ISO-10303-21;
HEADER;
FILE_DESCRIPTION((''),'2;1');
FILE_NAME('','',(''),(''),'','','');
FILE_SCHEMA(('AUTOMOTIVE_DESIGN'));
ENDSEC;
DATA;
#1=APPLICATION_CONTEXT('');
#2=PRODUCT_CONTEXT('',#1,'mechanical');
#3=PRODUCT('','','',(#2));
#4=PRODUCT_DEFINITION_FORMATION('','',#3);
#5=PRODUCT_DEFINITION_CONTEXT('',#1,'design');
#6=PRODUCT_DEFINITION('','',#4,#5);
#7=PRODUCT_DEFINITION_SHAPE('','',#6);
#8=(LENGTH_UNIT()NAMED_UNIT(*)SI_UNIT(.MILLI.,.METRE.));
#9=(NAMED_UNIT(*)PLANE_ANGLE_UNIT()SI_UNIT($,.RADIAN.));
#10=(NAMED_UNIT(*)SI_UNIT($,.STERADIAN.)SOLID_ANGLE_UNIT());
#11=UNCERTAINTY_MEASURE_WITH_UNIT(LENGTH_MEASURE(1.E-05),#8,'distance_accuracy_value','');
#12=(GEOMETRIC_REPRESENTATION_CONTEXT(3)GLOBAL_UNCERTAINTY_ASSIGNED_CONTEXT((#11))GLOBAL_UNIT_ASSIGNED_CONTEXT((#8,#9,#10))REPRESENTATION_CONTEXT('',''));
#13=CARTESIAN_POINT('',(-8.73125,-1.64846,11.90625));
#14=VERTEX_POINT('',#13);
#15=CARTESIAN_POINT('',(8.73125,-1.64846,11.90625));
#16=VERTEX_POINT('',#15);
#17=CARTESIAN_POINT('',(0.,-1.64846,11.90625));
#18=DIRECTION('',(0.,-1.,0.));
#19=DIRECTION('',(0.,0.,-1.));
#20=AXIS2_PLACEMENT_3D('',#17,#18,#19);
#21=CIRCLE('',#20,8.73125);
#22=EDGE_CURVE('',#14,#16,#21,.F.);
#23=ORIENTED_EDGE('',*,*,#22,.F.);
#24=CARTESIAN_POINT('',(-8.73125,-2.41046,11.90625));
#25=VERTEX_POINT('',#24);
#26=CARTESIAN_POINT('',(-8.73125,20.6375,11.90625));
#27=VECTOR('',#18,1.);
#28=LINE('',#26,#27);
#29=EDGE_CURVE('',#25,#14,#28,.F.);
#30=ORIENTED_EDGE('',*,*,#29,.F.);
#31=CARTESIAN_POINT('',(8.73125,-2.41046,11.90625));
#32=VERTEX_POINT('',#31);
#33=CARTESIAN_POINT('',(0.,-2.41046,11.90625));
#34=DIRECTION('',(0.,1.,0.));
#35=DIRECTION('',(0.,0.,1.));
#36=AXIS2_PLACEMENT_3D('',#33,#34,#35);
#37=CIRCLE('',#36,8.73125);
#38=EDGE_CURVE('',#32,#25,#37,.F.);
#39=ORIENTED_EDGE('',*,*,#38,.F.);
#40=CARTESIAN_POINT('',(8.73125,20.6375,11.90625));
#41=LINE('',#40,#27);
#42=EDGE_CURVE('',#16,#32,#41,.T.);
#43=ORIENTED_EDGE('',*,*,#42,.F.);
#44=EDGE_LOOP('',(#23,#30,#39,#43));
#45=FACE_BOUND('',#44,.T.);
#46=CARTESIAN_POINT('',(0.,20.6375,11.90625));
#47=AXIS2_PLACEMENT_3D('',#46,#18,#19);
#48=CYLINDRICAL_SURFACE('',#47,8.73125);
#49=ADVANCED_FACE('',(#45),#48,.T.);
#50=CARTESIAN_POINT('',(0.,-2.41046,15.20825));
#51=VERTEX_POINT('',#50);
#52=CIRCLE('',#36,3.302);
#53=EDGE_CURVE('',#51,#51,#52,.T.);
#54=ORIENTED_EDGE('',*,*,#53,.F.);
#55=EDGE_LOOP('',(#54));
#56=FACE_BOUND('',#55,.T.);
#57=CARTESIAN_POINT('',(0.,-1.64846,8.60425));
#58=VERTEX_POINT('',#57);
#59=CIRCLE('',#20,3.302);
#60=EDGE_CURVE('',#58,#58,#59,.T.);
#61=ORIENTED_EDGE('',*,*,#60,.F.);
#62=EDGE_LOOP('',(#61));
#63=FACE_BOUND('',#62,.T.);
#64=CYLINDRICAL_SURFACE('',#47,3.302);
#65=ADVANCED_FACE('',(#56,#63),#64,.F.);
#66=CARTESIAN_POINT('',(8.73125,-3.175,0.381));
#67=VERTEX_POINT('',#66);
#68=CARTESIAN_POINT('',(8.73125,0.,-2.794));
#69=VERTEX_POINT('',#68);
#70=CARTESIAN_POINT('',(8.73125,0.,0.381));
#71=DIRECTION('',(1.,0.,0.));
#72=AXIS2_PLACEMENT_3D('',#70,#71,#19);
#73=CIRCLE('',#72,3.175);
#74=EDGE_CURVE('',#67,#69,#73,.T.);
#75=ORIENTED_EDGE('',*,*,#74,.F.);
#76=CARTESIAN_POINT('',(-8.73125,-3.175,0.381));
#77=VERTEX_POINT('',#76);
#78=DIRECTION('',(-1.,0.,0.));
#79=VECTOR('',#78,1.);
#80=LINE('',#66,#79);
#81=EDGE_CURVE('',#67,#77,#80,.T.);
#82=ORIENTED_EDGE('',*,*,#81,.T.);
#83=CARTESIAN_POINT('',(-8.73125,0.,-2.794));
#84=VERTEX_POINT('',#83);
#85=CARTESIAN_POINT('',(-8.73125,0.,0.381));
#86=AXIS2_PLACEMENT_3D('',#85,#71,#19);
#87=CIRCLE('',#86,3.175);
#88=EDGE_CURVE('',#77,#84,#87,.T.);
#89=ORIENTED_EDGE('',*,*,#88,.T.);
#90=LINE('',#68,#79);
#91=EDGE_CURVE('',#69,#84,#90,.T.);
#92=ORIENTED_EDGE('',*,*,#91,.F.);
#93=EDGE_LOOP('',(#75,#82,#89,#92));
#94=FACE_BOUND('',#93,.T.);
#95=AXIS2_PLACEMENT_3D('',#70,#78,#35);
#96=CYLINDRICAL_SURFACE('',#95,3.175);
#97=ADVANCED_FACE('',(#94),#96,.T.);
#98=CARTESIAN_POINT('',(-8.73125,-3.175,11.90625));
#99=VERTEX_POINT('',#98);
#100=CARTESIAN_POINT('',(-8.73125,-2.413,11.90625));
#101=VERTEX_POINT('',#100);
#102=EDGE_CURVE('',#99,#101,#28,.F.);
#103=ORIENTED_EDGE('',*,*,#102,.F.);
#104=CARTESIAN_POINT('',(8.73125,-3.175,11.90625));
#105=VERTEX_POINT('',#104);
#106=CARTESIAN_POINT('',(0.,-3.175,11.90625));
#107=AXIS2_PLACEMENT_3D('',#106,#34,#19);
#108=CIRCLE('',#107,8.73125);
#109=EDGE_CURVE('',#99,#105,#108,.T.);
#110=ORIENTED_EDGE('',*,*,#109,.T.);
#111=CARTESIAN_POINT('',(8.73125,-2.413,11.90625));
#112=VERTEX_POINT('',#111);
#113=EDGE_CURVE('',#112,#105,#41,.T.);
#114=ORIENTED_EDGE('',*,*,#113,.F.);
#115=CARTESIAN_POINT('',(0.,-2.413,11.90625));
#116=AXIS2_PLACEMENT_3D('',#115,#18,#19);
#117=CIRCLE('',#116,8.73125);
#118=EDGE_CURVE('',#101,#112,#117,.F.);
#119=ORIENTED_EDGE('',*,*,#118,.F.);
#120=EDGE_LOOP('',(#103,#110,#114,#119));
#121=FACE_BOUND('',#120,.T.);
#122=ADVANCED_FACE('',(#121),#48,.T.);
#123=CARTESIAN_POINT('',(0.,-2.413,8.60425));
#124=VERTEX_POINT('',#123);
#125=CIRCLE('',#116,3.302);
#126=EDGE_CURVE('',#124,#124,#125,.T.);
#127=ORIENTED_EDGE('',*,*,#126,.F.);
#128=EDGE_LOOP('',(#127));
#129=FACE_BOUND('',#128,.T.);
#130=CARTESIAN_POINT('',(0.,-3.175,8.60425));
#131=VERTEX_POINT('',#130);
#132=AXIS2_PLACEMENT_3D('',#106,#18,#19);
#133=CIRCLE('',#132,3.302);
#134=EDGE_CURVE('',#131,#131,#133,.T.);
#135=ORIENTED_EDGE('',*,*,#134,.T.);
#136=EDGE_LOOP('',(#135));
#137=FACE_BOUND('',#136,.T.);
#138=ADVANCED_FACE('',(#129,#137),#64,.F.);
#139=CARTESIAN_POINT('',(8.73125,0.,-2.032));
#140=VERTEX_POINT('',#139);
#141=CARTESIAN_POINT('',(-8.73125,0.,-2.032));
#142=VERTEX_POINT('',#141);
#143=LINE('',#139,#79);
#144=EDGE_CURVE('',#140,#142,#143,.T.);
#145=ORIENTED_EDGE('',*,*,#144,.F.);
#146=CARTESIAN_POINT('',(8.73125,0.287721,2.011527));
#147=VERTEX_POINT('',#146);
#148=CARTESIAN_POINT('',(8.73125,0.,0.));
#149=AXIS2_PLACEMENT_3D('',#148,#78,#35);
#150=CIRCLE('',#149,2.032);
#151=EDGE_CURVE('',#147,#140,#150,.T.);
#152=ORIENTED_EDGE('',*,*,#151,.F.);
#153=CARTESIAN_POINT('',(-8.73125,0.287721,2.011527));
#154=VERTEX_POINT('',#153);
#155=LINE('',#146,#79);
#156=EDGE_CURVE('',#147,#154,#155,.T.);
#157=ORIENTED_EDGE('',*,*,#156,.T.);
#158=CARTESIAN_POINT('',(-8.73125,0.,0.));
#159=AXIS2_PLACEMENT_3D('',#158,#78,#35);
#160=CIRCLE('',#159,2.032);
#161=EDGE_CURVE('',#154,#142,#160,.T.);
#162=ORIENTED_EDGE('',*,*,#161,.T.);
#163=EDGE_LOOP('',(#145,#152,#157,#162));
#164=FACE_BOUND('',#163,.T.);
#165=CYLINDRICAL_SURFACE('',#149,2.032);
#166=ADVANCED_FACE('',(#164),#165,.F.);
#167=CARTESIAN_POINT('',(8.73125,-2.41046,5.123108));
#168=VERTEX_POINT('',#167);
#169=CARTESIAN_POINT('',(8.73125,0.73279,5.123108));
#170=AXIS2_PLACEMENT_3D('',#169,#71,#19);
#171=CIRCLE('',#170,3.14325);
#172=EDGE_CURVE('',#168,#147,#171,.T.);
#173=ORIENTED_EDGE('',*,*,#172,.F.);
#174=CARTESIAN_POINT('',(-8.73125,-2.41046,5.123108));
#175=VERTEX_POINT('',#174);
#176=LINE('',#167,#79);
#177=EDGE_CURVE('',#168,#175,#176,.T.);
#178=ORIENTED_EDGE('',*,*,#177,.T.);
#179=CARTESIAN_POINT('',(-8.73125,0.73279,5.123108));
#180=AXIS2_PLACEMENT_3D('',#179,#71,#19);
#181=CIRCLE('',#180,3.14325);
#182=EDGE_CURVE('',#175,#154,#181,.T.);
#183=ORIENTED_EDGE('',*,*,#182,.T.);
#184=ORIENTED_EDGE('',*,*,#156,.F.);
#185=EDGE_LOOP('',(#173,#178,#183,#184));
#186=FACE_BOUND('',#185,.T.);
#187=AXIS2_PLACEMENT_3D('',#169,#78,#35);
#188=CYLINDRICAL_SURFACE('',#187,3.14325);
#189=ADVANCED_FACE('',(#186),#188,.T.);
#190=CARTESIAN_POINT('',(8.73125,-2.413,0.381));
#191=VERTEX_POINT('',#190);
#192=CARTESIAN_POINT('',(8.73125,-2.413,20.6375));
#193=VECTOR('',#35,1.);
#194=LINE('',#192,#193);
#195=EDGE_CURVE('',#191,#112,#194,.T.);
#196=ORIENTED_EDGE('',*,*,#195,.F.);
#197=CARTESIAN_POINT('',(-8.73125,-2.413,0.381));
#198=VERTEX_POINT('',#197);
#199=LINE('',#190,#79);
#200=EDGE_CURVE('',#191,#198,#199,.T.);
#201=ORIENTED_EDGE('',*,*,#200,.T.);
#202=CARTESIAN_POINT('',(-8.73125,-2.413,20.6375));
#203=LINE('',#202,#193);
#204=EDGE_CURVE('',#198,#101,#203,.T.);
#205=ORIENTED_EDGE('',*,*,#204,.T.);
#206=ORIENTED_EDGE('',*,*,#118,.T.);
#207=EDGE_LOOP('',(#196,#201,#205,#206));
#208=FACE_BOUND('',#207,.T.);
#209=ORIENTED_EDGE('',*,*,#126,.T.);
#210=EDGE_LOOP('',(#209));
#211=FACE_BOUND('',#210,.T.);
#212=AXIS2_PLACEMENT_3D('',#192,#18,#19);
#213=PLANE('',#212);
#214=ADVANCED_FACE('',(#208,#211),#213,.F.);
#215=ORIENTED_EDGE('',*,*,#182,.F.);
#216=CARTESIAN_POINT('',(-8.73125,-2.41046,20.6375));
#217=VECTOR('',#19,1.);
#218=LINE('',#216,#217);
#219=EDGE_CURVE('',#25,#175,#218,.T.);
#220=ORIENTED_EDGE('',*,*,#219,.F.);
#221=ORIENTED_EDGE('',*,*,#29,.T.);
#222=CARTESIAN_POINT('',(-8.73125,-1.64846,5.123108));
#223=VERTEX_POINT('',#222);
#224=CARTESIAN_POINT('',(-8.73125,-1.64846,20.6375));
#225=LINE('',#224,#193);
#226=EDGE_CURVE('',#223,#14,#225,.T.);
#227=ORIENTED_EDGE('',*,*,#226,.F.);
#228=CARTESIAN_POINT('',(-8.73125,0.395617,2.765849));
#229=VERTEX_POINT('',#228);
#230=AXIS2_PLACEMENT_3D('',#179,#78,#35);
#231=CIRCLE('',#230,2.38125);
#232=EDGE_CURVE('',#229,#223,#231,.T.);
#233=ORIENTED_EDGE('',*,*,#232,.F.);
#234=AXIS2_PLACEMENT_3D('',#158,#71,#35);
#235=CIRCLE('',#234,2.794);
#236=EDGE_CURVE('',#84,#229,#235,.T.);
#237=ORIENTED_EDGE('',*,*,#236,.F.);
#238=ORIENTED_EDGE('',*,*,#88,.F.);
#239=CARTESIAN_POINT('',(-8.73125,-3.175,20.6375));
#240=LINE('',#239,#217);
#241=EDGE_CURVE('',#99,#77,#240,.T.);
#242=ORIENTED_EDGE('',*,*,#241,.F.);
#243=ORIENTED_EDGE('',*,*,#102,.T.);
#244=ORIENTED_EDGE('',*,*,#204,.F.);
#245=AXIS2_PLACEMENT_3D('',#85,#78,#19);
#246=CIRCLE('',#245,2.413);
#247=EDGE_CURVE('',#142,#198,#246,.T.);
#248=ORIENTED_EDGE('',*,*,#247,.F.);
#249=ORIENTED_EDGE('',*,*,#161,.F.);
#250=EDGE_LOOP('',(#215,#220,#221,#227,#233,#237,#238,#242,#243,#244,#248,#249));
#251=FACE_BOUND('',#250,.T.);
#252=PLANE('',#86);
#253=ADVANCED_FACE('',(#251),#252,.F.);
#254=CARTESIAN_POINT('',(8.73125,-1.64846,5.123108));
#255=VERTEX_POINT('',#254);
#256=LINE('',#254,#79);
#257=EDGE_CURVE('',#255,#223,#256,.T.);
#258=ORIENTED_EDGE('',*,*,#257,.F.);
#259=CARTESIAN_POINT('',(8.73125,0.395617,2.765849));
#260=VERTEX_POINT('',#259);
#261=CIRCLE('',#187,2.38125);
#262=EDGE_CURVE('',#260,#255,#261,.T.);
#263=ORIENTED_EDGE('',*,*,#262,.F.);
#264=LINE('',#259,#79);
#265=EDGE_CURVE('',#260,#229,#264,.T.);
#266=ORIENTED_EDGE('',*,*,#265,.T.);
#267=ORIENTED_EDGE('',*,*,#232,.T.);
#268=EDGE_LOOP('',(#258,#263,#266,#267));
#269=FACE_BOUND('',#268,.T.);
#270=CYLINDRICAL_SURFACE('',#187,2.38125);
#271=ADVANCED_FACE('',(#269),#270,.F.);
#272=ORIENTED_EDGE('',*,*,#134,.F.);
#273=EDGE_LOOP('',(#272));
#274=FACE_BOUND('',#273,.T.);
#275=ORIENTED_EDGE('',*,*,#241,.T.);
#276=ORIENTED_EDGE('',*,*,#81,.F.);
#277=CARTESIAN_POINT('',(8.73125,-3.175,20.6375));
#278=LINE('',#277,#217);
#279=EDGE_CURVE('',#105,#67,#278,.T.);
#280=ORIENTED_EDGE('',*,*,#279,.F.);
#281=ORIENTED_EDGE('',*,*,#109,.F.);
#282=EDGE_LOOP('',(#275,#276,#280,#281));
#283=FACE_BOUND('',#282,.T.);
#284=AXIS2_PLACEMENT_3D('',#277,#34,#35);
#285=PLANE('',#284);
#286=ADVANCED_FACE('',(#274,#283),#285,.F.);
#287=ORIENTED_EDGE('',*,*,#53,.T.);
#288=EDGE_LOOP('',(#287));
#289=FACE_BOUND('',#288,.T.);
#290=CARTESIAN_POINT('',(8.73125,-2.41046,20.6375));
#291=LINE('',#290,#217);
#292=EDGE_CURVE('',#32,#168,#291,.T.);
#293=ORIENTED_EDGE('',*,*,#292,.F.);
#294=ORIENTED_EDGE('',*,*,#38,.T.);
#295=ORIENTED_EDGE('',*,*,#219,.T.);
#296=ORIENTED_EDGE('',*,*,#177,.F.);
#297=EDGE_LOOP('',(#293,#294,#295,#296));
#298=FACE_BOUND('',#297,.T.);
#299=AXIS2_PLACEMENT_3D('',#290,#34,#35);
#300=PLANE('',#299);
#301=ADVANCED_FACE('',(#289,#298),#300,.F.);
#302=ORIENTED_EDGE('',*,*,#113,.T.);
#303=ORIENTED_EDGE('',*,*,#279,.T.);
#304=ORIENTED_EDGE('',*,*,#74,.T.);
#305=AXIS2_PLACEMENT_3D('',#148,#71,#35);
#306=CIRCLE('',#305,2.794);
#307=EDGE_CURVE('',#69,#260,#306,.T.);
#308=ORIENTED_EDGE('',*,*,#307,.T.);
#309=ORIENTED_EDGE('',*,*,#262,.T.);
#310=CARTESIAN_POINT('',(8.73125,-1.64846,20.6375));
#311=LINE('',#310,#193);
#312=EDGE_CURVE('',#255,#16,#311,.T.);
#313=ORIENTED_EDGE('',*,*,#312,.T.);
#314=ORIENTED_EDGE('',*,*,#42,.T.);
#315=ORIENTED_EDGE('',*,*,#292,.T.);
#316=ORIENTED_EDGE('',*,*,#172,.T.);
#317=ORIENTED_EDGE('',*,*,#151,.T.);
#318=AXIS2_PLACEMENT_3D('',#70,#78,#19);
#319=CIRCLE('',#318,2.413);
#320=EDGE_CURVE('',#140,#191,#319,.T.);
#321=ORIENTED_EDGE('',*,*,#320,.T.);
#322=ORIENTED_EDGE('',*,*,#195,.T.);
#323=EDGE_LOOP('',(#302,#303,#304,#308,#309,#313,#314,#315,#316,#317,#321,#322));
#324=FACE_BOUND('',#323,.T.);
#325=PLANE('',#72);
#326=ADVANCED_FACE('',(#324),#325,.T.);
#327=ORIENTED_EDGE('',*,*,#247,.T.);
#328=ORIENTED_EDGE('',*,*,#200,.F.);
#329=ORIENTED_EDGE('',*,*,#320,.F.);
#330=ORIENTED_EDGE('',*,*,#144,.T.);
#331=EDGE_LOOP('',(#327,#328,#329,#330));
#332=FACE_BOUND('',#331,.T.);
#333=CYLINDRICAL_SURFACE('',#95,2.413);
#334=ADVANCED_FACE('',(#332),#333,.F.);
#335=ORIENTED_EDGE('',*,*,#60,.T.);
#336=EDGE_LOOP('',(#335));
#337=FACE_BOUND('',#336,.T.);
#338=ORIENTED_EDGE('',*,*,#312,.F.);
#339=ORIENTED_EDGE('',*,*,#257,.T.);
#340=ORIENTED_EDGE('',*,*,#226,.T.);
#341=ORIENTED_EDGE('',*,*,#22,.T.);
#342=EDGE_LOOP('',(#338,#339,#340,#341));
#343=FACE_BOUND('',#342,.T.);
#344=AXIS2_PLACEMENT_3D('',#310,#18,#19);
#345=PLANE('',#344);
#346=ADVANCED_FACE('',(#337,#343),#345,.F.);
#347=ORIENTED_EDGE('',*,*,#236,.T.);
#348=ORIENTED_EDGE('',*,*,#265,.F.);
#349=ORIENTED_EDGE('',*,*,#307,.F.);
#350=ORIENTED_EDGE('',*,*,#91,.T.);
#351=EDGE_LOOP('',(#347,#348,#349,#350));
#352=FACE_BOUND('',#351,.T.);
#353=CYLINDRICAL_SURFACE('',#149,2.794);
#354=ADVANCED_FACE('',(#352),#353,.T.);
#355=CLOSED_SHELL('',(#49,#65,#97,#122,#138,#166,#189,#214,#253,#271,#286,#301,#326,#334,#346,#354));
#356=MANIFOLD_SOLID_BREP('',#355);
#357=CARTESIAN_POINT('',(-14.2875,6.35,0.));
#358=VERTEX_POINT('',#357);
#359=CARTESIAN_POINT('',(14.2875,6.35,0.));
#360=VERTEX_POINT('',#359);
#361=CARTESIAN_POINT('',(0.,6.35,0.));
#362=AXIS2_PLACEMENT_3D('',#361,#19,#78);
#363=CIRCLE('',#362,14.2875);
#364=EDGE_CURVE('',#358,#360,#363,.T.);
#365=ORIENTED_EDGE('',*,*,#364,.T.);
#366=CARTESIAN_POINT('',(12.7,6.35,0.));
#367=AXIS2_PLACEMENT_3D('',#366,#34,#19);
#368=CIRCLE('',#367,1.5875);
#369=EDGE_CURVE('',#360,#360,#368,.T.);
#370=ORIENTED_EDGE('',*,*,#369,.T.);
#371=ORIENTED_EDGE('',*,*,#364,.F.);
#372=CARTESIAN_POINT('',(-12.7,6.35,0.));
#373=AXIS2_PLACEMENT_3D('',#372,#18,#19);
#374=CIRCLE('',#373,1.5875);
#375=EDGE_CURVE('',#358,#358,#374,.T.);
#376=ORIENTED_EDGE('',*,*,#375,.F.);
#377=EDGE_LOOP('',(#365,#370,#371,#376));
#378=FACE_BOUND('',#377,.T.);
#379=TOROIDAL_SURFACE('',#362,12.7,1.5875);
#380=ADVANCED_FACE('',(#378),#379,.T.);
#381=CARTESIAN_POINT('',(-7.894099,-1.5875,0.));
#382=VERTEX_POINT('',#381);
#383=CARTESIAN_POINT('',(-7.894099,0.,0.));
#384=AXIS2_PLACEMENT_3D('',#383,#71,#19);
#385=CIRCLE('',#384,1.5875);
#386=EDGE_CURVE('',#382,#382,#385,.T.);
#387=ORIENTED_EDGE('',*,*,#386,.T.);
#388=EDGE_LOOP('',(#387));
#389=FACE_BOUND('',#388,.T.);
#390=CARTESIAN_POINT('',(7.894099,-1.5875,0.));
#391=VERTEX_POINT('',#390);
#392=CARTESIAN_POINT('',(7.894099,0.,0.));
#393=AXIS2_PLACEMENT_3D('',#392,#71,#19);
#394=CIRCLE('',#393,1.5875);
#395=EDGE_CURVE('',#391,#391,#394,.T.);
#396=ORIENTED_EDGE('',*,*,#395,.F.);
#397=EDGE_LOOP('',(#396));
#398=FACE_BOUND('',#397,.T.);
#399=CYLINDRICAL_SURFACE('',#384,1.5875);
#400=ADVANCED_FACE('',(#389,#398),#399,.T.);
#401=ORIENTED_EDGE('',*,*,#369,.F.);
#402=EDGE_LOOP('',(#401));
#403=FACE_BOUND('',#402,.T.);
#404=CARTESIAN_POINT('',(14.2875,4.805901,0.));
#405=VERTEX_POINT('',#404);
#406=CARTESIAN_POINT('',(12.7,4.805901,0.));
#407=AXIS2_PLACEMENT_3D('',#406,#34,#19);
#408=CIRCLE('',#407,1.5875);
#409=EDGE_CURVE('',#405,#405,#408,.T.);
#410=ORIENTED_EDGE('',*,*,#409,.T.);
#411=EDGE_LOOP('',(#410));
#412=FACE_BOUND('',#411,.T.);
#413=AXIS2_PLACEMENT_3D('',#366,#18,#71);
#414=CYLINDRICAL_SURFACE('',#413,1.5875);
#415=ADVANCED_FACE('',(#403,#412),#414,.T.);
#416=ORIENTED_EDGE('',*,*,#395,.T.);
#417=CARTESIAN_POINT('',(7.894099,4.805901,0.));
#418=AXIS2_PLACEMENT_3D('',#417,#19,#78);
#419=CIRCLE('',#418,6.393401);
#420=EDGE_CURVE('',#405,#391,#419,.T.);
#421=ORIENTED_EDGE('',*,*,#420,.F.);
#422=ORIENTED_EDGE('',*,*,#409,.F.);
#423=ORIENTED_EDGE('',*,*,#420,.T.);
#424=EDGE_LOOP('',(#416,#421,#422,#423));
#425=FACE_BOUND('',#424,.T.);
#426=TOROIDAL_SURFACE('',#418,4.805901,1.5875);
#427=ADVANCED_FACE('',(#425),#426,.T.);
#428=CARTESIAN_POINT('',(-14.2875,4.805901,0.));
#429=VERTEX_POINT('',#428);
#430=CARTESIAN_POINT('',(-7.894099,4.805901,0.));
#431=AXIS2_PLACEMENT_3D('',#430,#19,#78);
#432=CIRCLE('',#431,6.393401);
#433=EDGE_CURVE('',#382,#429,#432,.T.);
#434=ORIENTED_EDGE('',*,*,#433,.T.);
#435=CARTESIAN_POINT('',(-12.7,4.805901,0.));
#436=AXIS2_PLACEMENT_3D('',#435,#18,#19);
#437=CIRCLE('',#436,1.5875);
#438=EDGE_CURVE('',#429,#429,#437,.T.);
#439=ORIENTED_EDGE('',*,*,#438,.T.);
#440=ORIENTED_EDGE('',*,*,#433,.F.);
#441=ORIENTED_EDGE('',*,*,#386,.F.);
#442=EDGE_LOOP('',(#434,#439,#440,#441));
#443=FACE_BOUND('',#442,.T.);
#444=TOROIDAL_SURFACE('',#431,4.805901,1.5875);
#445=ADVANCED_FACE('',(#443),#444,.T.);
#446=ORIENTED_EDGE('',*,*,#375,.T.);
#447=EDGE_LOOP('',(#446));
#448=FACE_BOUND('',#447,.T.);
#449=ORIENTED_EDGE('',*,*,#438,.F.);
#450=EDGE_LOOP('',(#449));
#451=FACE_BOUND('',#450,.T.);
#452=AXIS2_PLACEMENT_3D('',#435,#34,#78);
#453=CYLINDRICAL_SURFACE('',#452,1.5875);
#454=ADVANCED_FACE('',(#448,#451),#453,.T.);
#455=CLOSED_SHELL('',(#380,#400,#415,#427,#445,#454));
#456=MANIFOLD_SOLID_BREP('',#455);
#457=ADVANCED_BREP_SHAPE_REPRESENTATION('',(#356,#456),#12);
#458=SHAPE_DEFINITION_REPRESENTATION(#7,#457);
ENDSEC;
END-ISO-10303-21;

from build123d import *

# Parameters (mm, degrees)
SKETCH2_R           = 1.5875
BOSS_EXTRUDE1_DEPTH = 8.73125
SKETCH4_R           = 3.302
CUT_EXTRUDE1_DEPTH  = 24.8125001


with BuildPart() as part:
    # Sweep1: sweep along a path in Sketch1
    with BuildLine(Plane.XY) as sweep1_path:
        Line((-12.7, 6.35), (-12.7, 4.805901242))
        ThreePointArc((-12.7, 4.805901242), (-11.292384116, 1.407615884), (-7.894098758, 0))
        Line((-7.894098758, 0), (7.894098758, 0))
        ThreePointArc((7.894098758, 0), (11.292384116, 1.407615884), (12.7, 4.805901242))
        Line((12.7, 4.805901242), (12.7, 6.35))
        ThreePointArc((12.7, 6.35), (0, 19.05), (-12.7, 6.35))
    # Sketch2 → Sweep1 (sweep)
    with BuildSketch(Plane(origin=(0, 0, 0), x_dir=(0, 0, -1), z_dir=(1, 0, 0))):
        Circle(SKETCH2_R)
    sweep(path=sweep1_path.line)


with BuildPart() as body_2:
    # Sketch3 → Boss-Extrude1 (new body, symmetric)
    with BuildSketch(Plane(origin=(0, 0, 0), x_dir=(0, 0, -1), z_dir=(1, 0, 0))):
        with BuildLine():
            Line((-20.6375, -3.175), (-0.381, -3.175))
            ThreePointArc((-0.381, -3.175), (1.86406403, -2.24506403), (2.794, 0))
            ThreePointArc((2.794, 0), (0.198308481, 2.786953488), (-2.765849496, 0.395616687))
            ThreePointArc((-2.765849496, 0.395616687), (-3.563066307, -1.066271632), (-5.12310759, -1.64846))
            Line((-5.12310759, -1.64846), (-20.6375, -1.64846))
            Line((-20.6375, -1.64846), (-20.6375, -2.41046))
            Line((-20.6375, -2.41046), (-5.12310759, -2.41046))
            ThreePointArc((-5.12310759, -2.41046), (-3.063853096, -1.641971355), (-2.011526906, 0.287721227))
            ThreePointArc((-2.011526906, 0.287721227), (0.14422435, 2.026875264), (2.032, 0))
            ThreePointArc((2.032, 0), (1.325248663, -1.706248663), (-0.381, -2.413))
            Line((-0.381, -2.413), (-20.6375, -2.413))
            Line((-20.6375, -2.413), (-20.6375, -3.175))
        make_face()
    extrude(amount=BOSS_EXTRUDE1_DEPTH, both=True)

    # Sketch4 → Cut-Extrude1 (cut, through all)
    with BuildSketch(Plane.XZ.offset(3.175)):
        with Locations((0, 11.90625)):
            Circle(SKETCH4_R)
        with BuildLine():
            Line((-8.73125, 11.90625), (-8.73125, 20.6375))
            Line((-8.73125, 20.6375), (-8.73125, 21.9075))
            Line((-8.73125, 21.9075), (8.73125, 21.9075))
            Line((8.73125, 21.9075), (8.73125, 20.6375))
            Line((8.73125, 20.6375), (8.73125, 11.90625))
            ThreePointArc((8.73125, 11.90625), (0, 20.6375), (-8.73125, 11.90625))
        make_face()
    extrude(amount=-CUT_EXTRUDE1_DEPTH, mode=Mode.SUBTRACT)


solid = Compound([part.part, body_2.part])
